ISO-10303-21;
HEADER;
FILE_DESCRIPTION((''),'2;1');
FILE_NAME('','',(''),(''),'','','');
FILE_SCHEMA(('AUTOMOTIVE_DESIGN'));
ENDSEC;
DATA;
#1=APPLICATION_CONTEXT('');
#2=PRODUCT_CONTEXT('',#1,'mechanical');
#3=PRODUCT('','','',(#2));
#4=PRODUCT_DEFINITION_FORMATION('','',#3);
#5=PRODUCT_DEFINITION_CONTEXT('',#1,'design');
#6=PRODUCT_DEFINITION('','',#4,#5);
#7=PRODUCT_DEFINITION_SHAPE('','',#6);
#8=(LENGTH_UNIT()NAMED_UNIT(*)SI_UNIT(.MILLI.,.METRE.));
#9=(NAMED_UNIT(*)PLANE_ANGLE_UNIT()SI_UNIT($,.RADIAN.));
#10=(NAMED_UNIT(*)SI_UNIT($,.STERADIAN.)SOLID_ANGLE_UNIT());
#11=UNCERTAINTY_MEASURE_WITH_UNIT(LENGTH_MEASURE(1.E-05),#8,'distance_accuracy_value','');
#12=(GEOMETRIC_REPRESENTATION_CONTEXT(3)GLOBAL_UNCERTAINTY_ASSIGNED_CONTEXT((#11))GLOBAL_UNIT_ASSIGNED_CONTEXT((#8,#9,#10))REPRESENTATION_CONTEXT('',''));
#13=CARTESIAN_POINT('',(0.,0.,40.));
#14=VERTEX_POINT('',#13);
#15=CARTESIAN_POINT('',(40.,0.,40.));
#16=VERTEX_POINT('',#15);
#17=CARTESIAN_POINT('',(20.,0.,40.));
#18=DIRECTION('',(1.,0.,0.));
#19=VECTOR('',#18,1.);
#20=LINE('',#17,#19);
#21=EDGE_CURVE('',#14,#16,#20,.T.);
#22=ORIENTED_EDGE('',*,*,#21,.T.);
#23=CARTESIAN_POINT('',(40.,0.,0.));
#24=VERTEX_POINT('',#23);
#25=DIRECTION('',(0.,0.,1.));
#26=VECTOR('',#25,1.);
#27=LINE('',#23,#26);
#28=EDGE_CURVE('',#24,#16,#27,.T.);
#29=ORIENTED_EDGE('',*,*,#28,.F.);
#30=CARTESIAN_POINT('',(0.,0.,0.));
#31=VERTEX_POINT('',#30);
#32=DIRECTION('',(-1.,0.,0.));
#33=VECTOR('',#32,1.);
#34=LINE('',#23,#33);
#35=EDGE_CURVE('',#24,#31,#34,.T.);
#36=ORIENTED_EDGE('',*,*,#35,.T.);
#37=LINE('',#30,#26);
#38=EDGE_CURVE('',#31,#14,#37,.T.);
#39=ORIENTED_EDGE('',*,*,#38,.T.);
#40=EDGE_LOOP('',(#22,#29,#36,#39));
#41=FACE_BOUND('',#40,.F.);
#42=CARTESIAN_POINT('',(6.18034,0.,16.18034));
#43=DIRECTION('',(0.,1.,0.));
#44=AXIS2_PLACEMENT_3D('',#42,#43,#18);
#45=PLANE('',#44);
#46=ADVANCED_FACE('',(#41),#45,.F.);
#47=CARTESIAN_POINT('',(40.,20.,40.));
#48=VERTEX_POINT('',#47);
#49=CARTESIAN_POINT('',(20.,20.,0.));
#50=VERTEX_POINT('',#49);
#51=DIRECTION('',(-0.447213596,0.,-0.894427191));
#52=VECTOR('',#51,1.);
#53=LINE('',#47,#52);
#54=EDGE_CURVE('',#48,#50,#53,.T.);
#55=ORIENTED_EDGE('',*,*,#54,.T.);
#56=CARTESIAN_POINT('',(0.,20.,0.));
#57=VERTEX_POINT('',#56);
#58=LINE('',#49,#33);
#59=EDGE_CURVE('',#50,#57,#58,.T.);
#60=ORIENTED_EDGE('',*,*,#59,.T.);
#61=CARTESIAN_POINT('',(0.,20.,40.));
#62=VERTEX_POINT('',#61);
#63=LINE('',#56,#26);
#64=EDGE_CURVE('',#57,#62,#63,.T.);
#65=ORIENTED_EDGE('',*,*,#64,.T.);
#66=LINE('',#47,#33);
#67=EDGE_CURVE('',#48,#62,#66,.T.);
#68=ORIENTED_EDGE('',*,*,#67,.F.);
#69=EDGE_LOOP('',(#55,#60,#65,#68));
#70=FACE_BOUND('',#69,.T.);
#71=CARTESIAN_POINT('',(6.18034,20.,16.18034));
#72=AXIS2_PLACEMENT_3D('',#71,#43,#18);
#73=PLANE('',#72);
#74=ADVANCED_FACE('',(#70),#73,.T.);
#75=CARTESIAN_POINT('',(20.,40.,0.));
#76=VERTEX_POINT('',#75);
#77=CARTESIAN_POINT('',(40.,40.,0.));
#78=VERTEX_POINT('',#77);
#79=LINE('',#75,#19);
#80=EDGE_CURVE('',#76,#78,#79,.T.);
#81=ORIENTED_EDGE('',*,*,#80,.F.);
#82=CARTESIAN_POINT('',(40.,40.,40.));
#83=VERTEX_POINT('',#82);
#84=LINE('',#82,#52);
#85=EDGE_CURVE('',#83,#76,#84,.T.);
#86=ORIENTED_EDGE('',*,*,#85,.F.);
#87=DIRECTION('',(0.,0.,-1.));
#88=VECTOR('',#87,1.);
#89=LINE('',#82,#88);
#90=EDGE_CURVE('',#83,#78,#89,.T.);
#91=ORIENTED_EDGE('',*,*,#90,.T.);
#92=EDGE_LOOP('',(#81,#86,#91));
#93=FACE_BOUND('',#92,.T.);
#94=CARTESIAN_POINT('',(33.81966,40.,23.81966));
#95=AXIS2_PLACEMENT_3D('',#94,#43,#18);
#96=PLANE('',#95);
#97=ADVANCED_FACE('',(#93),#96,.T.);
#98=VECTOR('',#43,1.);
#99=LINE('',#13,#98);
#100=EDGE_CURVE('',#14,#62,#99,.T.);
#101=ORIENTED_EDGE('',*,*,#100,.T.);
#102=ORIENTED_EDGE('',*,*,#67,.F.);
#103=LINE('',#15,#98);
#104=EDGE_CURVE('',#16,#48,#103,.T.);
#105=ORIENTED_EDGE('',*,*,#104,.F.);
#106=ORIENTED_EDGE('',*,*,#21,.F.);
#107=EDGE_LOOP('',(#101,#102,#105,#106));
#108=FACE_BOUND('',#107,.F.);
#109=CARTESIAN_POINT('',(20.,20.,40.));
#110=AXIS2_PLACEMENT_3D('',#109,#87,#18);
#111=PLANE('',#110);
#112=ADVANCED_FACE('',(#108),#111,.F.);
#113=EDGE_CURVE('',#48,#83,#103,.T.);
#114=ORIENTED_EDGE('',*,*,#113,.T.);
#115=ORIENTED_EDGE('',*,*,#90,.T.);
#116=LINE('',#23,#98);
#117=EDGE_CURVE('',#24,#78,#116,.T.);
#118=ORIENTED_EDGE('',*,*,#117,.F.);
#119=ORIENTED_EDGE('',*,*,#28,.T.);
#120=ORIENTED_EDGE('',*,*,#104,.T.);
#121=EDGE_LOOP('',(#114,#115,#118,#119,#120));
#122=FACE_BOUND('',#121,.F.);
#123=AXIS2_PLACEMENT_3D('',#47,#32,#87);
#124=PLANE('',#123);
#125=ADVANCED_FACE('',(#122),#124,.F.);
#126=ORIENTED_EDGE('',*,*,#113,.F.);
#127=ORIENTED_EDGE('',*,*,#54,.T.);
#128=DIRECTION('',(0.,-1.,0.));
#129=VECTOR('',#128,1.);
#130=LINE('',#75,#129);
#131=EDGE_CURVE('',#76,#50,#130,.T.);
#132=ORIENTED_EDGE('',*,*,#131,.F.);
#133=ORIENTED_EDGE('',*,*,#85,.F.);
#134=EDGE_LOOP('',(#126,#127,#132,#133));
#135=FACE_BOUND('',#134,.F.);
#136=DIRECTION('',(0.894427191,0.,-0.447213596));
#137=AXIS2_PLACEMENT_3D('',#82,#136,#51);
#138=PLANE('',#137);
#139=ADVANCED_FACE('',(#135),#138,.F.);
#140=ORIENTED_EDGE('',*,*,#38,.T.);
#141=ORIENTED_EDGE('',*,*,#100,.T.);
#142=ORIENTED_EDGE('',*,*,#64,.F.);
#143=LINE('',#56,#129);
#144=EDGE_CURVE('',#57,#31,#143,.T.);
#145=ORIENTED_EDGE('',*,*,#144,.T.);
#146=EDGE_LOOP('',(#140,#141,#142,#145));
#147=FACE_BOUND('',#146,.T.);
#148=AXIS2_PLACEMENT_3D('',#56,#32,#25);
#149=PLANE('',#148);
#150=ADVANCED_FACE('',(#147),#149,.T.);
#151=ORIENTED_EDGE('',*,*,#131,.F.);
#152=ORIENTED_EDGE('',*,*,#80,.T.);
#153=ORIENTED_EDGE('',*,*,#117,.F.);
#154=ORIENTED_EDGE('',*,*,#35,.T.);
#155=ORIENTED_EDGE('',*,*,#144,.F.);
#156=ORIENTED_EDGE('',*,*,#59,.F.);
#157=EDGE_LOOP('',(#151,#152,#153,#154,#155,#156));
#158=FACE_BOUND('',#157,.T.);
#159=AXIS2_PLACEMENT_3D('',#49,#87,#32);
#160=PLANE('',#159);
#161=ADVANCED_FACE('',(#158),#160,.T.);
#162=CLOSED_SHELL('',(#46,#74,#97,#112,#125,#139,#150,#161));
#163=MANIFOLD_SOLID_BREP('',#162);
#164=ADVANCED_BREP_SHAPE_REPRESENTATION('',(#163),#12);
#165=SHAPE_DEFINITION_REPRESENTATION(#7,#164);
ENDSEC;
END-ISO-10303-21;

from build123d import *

# Parameters (mm, degrees)
SKETCH1_W           = 40
SKETCH1_H           = 20
BOSS_EXTRUDE2_DEPTH = 40
CUT_EXTRUDE1_DEPTH  = 40
BOSS_EXTRUDE3_DEPTH = 20
BOSS_EXTRUDE4_DEPTH = 20
CUT_EXTRUDE2_DEPTH  = 20
SKETCH6_W           = 20
SKETCH6_H           = 20
CUT_EXTRUDE3_DEPTH  = 109
BOSS_EXTRUDE5_DEPTH = 20
BOSS_EXTRUDE6_DEPTH = 20
CUT_EXTRUDE5_DEPTH  = 20


with BuildPart() as part:
    # Sketch1 → Boss-Extrude2 (new body)
    with BuildSketch(Plane.XY):
        with Locations((20, 10)):
            Rectangle(SKETCH1_W, SKETCH1_H)
    extrude(amount=BOSS_EXTRUDE2_DEPTH)

    # Sketch2 → Cut-Extrude1 (cut)
    with BuildSketch(Plane(origin=(0, 20, 0), x_dir=(1, 0, 0), z_dir=(0, 1, 0))):
        Polygon((0, -40), (20, 0), (0, 0), align=None)
    extrude(amount=-CUT_EXTRUDE1_DEPTH, mode=Mode.SUBTRACT)

    # Sketch3 → Boss-Extrude3 (add)
    with BuildSketch(Plane(origin=(0, 20, 0), x_dir=(1, 0, 0), z_dir=(0, 1, 0))):
        Polygon((40, -40), (40, 0), (20, -40), align=None)
    extrude(amount=BOSS_EXTRUDE3_DEPTH)

    # Sketch4 → Boss-Extrude4 (add)
    with BuildSketch(Plane(origin=(0, 20, 0), x_dir=(1, 0, 0), z_dir=(0, 1, 0))):
        Polygon((0, -40), (20, 0), (40, 0), (20, -40), align=None)
    extrude(amount=BOSS_EXTRUDE4_DEPTH)

    # Sketch5 → Cut-Extrude2 (cut)
    with BuildSketch(Plane(origin=(0, 40, 0), x_dir=(1, 0, 0), z_dir=(0, 1, 0))):
        Polygon((40, 0), (20, -40), (40, -40), align=None)
    extrude(amount=-CUT_EXTRUDE2_DEPTH, mode=Mode.SUBTRACT)

    # Sketch6 → Cut-Extrude3 (cut)
    with BuildSketch(Plane.XY.offset(40)):
        with Locations((10, 30)):
            Rectangle(SKETCH6_W, SKETCH6_H)
    extrude(amount=-CUT_EXTRUDE3_DEPTH, mode=Mode.SUBTRACT)

    # Sketch7 → Boss-Extrude5 (add)
    with BuildSketch(Plane(origin=(0, 20, 0), x_dir=(1, 0, 0), z_dir=(0, 1, 0))):
        Polygon((20, 0), (0, 0), (0, -40), align=None)
    extrude(amount=-BOSS_EXTRUDE5_DEPTH)

    # Sketch8 → Boss-Extrude6 (add)
    with BuildSketch(Plane(origin=(0, 20, 0), x_dir=(1, 0, 0), z_dir=(0, 1, 0))):
        Polygon((20, -40), (40, -40), (40, 0), align=None)
    extrude(amount=BOSS_EXTRUDE6_DEPTH)

    # Sketch9 → Cut-Extrude5 (cut)
    with BuildSketch(Plane(origin=(0, 40, 0), x_dir=(1, 0, 0), z_dir=(0, 1, 0))):
        Polygon((20, -40), (30, -20), (20, 0), align=None)
        Polygon((40, -40), (30, -20), (20, -40), align=None)
    extrude(amount=-CUT_EXTRUDE5_DEPTH, mode=Mode.SUBTRACT)


solid = part.part
